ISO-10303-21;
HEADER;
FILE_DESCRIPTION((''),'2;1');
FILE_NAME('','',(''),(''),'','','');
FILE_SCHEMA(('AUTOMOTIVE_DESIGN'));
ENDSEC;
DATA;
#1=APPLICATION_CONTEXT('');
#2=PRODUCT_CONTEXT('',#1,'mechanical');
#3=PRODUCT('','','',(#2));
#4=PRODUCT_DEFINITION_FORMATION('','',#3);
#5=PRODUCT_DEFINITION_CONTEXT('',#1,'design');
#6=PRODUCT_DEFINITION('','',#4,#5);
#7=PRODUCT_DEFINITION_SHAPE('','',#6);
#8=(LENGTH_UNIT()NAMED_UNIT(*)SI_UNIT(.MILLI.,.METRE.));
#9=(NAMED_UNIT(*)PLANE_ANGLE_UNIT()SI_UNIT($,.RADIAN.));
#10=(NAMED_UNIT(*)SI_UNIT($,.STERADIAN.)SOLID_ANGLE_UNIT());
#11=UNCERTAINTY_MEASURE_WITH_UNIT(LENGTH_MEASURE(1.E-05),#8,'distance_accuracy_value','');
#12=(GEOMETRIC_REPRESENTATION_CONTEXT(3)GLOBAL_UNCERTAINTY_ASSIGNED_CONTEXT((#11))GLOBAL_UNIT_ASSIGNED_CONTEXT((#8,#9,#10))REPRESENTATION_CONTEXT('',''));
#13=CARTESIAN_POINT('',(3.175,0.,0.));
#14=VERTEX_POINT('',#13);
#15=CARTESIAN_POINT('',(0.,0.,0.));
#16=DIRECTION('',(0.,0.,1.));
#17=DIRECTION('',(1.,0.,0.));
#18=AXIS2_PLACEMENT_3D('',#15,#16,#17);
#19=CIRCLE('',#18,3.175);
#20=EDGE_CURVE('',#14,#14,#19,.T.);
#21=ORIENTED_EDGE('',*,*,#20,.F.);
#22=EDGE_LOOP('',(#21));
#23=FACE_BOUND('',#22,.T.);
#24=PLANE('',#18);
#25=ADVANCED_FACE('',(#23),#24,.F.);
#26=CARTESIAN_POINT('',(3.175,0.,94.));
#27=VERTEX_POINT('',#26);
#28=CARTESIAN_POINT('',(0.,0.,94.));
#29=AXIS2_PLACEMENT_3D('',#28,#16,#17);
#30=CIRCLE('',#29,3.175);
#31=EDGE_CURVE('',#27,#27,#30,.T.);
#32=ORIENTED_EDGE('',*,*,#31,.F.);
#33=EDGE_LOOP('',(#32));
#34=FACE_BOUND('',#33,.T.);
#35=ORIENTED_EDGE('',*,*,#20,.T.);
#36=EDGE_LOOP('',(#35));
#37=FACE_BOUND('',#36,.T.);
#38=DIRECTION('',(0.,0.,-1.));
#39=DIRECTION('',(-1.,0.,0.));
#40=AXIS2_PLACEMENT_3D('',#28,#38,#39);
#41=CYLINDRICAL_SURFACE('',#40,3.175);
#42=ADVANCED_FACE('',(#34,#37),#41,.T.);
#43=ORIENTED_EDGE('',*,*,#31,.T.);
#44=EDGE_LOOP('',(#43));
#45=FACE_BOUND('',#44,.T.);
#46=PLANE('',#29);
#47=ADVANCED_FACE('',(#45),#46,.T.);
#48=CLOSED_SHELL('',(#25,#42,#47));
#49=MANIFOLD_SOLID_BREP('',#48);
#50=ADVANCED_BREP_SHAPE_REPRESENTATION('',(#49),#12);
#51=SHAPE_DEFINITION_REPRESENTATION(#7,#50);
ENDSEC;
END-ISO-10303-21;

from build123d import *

# Parameters (mm, degrees)
ESBO_O1_R                = 3.175
RESSALTO_EXTRUS_O1_DEPTH = 94


with BuildPart() as part:
    # Esboço1 → Ressalto-extrusão1 (new body)
    with BuildSketch(Plane.XY):
        Circle(ESBO_O1_R)
    extrude(amount=RESSALTO_EXTRUS_O1_DEPTH)


solid = part.part
